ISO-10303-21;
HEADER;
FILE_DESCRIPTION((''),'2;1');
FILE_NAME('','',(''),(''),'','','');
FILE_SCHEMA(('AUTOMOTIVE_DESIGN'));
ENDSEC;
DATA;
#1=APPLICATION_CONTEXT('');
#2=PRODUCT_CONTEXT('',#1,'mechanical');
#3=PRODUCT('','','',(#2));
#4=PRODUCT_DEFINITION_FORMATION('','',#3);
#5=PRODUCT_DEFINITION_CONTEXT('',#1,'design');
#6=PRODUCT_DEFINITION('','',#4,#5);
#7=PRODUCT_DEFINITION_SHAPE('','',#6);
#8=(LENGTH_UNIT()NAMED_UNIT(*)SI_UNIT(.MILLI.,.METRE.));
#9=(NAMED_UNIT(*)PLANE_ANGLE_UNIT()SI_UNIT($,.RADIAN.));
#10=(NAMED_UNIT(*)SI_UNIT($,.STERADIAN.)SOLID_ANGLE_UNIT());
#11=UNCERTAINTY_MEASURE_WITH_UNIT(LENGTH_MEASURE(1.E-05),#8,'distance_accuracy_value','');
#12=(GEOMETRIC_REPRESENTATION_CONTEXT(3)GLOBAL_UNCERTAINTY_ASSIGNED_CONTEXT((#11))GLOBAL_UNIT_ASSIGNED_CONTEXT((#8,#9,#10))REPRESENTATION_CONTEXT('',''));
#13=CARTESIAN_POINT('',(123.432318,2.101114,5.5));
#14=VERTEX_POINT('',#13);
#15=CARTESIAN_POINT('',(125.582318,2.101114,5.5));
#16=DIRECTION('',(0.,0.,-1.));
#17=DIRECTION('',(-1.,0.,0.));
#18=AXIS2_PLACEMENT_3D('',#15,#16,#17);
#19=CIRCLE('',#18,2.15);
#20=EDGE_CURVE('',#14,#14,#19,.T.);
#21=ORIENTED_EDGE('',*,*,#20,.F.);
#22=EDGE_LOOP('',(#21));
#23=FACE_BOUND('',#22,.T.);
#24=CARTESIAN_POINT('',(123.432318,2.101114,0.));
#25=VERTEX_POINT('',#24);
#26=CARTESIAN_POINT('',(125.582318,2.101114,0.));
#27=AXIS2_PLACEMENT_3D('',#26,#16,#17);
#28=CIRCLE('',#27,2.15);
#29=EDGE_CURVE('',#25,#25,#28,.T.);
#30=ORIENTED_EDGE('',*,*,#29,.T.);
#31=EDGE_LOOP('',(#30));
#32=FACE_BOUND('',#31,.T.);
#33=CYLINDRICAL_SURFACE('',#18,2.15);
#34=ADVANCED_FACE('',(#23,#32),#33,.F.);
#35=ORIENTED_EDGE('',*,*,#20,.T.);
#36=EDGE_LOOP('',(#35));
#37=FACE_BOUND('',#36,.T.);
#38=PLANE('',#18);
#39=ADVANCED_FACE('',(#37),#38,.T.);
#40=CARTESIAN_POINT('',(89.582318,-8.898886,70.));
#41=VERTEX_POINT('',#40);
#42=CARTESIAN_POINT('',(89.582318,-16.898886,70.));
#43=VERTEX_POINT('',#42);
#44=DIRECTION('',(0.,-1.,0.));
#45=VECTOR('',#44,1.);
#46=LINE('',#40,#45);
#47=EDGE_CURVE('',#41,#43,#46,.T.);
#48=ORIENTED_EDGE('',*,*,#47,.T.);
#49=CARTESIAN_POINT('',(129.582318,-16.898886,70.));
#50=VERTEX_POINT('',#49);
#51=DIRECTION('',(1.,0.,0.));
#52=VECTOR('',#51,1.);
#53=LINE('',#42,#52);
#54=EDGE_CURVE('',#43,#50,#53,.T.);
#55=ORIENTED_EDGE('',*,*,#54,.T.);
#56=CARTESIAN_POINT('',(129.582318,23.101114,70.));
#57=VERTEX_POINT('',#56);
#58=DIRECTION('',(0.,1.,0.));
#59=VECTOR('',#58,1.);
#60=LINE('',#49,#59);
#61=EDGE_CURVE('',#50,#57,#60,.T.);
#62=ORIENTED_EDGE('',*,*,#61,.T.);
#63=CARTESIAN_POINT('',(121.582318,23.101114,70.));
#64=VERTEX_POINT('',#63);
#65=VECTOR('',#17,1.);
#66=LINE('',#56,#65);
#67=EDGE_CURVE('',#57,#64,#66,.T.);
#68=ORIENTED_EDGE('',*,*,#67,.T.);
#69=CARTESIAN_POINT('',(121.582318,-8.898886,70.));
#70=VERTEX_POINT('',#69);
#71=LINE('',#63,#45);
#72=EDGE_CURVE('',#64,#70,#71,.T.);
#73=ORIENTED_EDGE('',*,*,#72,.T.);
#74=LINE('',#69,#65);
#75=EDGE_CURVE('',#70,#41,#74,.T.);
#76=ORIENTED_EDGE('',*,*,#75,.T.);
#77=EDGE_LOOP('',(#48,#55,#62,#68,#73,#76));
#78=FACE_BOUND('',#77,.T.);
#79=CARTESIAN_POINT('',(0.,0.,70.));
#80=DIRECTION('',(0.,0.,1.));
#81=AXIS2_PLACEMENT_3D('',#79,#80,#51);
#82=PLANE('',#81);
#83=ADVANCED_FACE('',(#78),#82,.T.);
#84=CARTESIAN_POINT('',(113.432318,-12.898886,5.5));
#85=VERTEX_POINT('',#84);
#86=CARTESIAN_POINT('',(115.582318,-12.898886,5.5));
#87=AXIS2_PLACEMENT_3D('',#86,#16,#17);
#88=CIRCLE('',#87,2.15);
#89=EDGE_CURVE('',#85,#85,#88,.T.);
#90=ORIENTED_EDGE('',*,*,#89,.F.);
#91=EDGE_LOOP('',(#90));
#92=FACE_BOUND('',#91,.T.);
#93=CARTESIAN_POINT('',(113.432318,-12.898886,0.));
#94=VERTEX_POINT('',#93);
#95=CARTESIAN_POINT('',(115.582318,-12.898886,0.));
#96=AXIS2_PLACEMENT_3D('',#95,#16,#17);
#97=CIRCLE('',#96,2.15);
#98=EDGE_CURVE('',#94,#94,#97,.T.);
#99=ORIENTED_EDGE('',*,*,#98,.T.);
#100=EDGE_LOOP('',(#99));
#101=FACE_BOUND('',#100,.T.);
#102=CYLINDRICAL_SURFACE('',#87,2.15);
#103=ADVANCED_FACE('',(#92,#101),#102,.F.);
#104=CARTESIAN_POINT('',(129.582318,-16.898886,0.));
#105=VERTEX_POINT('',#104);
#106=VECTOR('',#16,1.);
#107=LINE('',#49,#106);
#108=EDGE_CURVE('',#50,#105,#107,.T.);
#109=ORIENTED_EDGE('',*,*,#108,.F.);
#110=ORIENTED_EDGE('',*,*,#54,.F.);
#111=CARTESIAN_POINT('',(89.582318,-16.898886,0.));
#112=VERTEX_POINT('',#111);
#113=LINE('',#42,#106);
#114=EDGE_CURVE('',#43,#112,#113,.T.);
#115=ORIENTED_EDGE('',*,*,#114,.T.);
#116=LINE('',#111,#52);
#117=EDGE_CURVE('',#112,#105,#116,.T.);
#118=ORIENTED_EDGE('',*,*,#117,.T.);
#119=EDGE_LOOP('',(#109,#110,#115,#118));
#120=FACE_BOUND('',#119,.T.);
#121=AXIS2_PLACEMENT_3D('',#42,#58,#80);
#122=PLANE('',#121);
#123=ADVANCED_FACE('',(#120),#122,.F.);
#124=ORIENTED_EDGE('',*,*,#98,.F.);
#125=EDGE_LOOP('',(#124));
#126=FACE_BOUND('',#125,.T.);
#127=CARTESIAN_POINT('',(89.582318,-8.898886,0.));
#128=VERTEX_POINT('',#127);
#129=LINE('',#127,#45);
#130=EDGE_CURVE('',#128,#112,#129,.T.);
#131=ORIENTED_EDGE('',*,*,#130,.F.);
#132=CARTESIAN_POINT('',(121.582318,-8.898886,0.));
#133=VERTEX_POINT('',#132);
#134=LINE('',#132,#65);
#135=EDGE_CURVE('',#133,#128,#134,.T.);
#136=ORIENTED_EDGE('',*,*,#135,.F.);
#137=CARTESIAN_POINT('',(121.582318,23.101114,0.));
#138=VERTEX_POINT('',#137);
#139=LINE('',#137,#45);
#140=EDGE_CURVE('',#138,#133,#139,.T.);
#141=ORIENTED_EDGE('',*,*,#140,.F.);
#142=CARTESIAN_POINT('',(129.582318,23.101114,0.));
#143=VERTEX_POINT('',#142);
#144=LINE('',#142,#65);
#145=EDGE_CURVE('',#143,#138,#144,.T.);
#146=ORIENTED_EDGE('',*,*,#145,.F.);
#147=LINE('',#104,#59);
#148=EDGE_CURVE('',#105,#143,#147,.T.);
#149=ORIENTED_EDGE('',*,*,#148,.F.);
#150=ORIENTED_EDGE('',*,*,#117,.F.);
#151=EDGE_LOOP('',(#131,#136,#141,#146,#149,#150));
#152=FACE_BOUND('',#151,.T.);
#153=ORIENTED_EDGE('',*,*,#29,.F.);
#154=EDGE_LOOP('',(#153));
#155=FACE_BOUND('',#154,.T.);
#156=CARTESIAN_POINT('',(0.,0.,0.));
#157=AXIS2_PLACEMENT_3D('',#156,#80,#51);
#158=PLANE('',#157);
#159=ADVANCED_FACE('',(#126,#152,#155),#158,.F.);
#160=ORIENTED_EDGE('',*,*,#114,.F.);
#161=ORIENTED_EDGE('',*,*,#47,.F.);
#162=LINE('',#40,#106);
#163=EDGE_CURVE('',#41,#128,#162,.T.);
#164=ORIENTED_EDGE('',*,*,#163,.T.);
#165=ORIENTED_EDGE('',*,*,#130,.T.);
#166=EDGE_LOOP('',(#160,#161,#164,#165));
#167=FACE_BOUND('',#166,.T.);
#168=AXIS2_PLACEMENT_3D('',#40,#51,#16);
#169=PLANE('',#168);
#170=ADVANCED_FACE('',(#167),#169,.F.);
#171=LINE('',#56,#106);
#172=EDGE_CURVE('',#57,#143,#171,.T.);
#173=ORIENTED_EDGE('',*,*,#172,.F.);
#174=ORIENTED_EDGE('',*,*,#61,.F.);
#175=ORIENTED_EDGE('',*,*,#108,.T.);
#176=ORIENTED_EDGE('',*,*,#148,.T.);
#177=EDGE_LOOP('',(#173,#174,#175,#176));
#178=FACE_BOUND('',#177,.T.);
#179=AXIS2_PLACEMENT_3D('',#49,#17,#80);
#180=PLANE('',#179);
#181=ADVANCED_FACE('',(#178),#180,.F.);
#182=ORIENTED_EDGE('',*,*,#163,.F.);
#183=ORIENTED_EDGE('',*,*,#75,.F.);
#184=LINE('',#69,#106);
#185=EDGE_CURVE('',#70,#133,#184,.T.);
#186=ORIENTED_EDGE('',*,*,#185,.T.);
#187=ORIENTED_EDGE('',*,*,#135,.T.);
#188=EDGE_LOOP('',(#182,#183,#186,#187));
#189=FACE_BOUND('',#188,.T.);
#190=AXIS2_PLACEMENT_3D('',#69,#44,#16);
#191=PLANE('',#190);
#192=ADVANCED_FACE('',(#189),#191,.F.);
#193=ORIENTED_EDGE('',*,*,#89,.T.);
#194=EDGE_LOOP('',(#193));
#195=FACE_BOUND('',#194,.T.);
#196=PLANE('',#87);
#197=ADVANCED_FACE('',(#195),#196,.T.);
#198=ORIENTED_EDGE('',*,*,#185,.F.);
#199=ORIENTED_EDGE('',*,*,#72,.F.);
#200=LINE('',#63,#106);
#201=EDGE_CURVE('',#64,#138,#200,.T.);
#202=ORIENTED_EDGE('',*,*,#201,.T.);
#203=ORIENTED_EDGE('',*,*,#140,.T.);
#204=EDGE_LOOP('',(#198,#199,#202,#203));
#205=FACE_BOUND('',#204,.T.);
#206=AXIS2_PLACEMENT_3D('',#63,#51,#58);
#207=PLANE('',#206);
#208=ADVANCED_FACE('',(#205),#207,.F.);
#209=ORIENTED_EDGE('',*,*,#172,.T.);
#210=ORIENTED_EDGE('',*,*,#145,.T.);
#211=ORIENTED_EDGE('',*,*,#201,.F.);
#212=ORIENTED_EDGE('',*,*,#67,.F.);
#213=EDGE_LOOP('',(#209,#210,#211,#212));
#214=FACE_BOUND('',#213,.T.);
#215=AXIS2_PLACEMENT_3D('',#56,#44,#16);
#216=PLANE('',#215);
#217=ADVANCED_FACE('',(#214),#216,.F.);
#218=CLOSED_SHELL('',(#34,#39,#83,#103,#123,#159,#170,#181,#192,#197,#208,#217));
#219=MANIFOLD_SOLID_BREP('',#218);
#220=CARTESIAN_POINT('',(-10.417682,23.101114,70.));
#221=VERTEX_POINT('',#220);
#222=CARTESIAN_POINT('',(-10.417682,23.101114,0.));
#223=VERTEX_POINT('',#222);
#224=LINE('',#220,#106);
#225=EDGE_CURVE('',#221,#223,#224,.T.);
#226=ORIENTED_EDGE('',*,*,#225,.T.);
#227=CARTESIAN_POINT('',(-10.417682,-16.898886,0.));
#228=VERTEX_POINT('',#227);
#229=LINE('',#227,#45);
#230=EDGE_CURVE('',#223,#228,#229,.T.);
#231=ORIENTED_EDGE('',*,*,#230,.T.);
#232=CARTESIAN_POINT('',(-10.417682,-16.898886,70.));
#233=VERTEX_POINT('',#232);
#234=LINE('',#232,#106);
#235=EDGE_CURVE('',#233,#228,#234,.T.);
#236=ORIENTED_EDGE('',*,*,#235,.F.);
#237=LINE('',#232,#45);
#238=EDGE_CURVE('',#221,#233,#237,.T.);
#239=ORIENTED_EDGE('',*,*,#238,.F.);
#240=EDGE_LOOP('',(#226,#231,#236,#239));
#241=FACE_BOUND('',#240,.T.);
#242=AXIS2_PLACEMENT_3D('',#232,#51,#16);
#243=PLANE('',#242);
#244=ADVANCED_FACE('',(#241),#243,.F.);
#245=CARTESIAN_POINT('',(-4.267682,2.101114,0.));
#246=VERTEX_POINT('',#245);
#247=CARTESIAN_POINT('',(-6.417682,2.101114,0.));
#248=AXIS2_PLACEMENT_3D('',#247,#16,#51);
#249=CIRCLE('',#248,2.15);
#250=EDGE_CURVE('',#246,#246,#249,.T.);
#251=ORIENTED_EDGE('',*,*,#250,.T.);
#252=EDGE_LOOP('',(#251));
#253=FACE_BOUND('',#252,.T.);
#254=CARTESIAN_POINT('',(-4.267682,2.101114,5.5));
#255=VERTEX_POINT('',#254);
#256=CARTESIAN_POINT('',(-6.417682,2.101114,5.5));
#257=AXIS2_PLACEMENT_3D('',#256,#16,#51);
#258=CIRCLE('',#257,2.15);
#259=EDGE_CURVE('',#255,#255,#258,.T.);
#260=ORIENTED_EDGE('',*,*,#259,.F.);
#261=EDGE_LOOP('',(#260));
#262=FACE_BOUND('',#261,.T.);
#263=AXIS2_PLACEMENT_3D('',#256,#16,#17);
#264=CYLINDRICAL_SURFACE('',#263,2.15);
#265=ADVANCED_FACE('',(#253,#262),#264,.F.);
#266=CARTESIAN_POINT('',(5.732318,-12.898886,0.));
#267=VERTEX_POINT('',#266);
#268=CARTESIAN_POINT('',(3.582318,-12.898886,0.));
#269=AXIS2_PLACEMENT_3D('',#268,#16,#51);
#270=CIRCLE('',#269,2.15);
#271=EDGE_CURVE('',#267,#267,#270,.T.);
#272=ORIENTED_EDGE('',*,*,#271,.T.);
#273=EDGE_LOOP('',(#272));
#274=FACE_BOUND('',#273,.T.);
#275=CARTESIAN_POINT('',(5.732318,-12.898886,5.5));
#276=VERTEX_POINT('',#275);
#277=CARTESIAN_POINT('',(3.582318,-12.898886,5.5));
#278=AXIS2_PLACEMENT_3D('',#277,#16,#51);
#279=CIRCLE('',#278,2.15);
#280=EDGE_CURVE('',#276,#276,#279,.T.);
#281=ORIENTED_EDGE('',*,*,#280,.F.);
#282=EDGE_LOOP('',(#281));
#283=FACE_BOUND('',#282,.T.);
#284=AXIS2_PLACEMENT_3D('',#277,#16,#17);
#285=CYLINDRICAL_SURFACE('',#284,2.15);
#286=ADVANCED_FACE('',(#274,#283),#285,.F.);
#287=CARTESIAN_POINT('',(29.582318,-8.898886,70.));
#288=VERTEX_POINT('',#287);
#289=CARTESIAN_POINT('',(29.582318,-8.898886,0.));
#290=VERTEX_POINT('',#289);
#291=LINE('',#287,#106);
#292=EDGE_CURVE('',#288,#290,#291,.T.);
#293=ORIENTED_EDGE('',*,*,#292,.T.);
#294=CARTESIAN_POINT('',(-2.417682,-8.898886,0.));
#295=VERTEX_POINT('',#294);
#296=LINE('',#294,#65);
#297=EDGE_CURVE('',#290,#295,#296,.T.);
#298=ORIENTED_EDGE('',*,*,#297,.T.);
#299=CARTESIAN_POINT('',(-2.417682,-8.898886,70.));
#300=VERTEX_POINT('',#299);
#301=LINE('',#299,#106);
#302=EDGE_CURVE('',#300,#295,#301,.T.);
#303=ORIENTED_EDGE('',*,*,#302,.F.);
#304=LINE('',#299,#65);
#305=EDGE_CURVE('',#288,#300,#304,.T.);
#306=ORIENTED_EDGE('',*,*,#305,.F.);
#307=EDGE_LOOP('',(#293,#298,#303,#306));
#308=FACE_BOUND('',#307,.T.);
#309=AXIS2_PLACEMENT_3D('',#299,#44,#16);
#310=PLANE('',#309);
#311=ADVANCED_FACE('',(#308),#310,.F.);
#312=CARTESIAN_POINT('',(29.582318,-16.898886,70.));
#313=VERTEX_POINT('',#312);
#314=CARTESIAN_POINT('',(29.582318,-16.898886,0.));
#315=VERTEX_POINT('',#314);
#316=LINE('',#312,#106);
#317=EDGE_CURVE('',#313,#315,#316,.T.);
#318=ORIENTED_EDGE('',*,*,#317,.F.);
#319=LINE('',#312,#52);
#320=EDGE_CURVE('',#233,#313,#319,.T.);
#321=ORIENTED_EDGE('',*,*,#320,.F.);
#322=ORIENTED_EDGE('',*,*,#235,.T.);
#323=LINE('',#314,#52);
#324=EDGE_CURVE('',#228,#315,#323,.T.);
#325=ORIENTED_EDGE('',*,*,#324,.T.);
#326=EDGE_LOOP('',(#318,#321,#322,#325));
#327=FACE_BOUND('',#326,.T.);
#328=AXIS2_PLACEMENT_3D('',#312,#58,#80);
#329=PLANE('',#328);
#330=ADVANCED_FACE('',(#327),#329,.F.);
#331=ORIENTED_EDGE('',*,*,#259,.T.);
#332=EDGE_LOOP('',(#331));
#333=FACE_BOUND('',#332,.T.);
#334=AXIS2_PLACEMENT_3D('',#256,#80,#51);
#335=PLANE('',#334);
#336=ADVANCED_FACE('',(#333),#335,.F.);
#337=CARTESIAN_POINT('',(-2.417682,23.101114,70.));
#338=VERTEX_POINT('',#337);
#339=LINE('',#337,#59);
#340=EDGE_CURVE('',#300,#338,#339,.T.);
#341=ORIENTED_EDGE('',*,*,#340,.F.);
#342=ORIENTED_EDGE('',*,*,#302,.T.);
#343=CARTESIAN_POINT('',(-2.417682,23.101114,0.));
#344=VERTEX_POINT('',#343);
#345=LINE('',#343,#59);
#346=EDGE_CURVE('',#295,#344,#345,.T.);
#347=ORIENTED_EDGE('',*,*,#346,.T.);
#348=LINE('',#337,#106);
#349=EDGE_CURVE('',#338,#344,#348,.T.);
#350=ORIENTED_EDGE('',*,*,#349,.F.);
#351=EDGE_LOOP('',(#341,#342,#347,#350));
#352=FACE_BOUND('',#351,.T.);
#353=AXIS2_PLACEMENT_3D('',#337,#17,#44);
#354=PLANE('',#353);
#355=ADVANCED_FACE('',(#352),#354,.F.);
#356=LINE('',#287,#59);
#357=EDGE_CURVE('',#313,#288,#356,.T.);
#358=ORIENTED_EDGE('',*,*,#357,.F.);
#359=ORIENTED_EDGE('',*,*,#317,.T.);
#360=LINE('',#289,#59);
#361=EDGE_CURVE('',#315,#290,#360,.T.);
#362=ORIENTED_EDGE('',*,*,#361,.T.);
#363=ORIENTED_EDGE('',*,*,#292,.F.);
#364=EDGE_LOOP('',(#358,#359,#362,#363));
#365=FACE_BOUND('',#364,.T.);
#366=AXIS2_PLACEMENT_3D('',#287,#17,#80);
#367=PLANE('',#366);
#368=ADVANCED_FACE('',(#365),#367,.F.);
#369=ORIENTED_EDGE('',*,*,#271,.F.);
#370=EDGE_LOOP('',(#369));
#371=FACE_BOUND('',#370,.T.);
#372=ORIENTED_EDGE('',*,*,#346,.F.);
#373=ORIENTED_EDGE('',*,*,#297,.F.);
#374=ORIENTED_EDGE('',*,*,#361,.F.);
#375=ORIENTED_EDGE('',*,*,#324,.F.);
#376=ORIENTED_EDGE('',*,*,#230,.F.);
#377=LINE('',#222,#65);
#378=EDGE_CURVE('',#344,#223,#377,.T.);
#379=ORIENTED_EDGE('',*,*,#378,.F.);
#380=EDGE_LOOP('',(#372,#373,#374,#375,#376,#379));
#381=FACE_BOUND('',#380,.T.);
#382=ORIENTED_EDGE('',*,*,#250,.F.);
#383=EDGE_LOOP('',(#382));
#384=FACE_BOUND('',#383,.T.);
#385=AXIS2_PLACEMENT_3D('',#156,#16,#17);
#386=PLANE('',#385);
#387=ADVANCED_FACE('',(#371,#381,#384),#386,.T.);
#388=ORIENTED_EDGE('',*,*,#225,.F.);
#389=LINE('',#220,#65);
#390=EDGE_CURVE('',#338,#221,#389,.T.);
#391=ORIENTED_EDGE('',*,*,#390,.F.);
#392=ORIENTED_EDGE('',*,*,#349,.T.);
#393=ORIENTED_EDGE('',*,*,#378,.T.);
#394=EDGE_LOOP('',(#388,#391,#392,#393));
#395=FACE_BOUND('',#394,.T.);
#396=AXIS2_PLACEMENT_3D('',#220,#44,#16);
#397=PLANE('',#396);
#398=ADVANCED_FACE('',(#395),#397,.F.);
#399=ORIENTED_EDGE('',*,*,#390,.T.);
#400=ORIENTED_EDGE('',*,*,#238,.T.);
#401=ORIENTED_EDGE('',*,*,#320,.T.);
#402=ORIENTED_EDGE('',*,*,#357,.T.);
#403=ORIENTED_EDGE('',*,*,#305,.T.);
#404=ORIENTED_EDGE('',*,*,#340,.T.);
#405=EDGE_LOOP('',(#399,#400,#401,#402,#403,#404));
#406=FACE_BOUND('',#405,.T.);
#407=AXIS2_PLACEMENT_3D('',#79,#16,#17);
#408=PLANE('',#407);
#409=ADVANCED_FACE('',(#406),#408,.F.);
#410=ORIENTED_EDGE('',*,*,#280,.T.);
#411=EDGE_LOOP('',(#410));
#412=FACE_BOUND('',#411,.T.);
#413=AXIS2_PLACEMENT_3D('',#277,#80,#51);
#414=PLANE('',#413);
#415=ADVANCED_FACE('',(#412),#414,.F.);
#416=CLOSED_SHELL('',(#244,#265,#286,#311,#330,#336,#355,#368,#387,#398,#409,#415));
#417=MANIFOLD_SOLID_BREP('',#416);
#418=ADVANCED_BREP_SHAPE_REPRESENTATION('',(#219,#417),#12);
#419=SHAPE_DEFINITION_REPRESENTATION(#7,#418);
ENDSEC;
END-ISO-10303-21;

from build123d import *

# Parameters (mm, degrees)
EXTRUDE_1_DEPTH     = 70
EXTRUDE_1_2_DEPTH   = 70
SKETCH_2_R          = 2.15
CUT_EXTRUDE_1_DEPTH = 5.5


with BuildPart() as part:
    # 草图1 → 凸台-拉伸1 (new body)
    with BuildSketch(Plane.XY):
        Polygon((-10.417681783, 23.1011135), (-2.417681783, 23.1011135), (-2.417681783, -8.8988865), (29.582318217, -8.8988865), (29.582318217, -16.8988865), (-10.417681783, -16.8988865), align=None)
    extrude(amount=EXTRUDE_1_DEPTH)


with BuildPart() as body_2:
    # 草图1 → Extrude 1 2 (new body)
    with BuildSketch(Plane.XY):
        Polygon((129.582318217, -16.8988865), (129.582318217, 23.1011135), (121.582318217, 23.1011135), (121.582318217, -8.8988865), (89.582318217, -8.8988865), (89.582318217, -16.8988865), align=None)
    extrude(amount=EXTRUDE_1_2_DEPTH)


with BuildPart() as cut_extrude_1_tool:
    # 草图2 → 切除-拉伸1 (new body)
    with BuildSketch(Plane(origin=(0, 0, 0), x_dir=(-1, 0, 0), z_dir=(0, 0, -1))):
        with Locations((-125.582318217, 2.1011135)):
            Circle(SKETCH_2_R)
        with Locations((-115.582318217, -12.8988865)):
            Circle(SKETCH_2_R)
        with Locations((-3.582318217, -12.8988865)):
            Circle(SKETCH_2_R)
        with Locations((6.417681783, 2.1011135)):
            Circle(SKETCH_2_R)
    extrude(amount=-CUT_EXTRUDE_1_DEPTH)


with BuildPart() as part_1:
    add(part.part)

    # 切除-拉伸1: cut by cut_extrude_1_tool
    add(cut_extrude_1_tool.part, mode=Mode.SUBTRACT)


with BuildPart() as body_2_1:
    add(body_2.part)

    # 切除-拉伸1: cut by cut_extrude_1_tool
    add(cut_extrude_1_tool.part, mode=Mode.SUBTRACT)


solid = Compound([part_1.part, body_2_1.part])
